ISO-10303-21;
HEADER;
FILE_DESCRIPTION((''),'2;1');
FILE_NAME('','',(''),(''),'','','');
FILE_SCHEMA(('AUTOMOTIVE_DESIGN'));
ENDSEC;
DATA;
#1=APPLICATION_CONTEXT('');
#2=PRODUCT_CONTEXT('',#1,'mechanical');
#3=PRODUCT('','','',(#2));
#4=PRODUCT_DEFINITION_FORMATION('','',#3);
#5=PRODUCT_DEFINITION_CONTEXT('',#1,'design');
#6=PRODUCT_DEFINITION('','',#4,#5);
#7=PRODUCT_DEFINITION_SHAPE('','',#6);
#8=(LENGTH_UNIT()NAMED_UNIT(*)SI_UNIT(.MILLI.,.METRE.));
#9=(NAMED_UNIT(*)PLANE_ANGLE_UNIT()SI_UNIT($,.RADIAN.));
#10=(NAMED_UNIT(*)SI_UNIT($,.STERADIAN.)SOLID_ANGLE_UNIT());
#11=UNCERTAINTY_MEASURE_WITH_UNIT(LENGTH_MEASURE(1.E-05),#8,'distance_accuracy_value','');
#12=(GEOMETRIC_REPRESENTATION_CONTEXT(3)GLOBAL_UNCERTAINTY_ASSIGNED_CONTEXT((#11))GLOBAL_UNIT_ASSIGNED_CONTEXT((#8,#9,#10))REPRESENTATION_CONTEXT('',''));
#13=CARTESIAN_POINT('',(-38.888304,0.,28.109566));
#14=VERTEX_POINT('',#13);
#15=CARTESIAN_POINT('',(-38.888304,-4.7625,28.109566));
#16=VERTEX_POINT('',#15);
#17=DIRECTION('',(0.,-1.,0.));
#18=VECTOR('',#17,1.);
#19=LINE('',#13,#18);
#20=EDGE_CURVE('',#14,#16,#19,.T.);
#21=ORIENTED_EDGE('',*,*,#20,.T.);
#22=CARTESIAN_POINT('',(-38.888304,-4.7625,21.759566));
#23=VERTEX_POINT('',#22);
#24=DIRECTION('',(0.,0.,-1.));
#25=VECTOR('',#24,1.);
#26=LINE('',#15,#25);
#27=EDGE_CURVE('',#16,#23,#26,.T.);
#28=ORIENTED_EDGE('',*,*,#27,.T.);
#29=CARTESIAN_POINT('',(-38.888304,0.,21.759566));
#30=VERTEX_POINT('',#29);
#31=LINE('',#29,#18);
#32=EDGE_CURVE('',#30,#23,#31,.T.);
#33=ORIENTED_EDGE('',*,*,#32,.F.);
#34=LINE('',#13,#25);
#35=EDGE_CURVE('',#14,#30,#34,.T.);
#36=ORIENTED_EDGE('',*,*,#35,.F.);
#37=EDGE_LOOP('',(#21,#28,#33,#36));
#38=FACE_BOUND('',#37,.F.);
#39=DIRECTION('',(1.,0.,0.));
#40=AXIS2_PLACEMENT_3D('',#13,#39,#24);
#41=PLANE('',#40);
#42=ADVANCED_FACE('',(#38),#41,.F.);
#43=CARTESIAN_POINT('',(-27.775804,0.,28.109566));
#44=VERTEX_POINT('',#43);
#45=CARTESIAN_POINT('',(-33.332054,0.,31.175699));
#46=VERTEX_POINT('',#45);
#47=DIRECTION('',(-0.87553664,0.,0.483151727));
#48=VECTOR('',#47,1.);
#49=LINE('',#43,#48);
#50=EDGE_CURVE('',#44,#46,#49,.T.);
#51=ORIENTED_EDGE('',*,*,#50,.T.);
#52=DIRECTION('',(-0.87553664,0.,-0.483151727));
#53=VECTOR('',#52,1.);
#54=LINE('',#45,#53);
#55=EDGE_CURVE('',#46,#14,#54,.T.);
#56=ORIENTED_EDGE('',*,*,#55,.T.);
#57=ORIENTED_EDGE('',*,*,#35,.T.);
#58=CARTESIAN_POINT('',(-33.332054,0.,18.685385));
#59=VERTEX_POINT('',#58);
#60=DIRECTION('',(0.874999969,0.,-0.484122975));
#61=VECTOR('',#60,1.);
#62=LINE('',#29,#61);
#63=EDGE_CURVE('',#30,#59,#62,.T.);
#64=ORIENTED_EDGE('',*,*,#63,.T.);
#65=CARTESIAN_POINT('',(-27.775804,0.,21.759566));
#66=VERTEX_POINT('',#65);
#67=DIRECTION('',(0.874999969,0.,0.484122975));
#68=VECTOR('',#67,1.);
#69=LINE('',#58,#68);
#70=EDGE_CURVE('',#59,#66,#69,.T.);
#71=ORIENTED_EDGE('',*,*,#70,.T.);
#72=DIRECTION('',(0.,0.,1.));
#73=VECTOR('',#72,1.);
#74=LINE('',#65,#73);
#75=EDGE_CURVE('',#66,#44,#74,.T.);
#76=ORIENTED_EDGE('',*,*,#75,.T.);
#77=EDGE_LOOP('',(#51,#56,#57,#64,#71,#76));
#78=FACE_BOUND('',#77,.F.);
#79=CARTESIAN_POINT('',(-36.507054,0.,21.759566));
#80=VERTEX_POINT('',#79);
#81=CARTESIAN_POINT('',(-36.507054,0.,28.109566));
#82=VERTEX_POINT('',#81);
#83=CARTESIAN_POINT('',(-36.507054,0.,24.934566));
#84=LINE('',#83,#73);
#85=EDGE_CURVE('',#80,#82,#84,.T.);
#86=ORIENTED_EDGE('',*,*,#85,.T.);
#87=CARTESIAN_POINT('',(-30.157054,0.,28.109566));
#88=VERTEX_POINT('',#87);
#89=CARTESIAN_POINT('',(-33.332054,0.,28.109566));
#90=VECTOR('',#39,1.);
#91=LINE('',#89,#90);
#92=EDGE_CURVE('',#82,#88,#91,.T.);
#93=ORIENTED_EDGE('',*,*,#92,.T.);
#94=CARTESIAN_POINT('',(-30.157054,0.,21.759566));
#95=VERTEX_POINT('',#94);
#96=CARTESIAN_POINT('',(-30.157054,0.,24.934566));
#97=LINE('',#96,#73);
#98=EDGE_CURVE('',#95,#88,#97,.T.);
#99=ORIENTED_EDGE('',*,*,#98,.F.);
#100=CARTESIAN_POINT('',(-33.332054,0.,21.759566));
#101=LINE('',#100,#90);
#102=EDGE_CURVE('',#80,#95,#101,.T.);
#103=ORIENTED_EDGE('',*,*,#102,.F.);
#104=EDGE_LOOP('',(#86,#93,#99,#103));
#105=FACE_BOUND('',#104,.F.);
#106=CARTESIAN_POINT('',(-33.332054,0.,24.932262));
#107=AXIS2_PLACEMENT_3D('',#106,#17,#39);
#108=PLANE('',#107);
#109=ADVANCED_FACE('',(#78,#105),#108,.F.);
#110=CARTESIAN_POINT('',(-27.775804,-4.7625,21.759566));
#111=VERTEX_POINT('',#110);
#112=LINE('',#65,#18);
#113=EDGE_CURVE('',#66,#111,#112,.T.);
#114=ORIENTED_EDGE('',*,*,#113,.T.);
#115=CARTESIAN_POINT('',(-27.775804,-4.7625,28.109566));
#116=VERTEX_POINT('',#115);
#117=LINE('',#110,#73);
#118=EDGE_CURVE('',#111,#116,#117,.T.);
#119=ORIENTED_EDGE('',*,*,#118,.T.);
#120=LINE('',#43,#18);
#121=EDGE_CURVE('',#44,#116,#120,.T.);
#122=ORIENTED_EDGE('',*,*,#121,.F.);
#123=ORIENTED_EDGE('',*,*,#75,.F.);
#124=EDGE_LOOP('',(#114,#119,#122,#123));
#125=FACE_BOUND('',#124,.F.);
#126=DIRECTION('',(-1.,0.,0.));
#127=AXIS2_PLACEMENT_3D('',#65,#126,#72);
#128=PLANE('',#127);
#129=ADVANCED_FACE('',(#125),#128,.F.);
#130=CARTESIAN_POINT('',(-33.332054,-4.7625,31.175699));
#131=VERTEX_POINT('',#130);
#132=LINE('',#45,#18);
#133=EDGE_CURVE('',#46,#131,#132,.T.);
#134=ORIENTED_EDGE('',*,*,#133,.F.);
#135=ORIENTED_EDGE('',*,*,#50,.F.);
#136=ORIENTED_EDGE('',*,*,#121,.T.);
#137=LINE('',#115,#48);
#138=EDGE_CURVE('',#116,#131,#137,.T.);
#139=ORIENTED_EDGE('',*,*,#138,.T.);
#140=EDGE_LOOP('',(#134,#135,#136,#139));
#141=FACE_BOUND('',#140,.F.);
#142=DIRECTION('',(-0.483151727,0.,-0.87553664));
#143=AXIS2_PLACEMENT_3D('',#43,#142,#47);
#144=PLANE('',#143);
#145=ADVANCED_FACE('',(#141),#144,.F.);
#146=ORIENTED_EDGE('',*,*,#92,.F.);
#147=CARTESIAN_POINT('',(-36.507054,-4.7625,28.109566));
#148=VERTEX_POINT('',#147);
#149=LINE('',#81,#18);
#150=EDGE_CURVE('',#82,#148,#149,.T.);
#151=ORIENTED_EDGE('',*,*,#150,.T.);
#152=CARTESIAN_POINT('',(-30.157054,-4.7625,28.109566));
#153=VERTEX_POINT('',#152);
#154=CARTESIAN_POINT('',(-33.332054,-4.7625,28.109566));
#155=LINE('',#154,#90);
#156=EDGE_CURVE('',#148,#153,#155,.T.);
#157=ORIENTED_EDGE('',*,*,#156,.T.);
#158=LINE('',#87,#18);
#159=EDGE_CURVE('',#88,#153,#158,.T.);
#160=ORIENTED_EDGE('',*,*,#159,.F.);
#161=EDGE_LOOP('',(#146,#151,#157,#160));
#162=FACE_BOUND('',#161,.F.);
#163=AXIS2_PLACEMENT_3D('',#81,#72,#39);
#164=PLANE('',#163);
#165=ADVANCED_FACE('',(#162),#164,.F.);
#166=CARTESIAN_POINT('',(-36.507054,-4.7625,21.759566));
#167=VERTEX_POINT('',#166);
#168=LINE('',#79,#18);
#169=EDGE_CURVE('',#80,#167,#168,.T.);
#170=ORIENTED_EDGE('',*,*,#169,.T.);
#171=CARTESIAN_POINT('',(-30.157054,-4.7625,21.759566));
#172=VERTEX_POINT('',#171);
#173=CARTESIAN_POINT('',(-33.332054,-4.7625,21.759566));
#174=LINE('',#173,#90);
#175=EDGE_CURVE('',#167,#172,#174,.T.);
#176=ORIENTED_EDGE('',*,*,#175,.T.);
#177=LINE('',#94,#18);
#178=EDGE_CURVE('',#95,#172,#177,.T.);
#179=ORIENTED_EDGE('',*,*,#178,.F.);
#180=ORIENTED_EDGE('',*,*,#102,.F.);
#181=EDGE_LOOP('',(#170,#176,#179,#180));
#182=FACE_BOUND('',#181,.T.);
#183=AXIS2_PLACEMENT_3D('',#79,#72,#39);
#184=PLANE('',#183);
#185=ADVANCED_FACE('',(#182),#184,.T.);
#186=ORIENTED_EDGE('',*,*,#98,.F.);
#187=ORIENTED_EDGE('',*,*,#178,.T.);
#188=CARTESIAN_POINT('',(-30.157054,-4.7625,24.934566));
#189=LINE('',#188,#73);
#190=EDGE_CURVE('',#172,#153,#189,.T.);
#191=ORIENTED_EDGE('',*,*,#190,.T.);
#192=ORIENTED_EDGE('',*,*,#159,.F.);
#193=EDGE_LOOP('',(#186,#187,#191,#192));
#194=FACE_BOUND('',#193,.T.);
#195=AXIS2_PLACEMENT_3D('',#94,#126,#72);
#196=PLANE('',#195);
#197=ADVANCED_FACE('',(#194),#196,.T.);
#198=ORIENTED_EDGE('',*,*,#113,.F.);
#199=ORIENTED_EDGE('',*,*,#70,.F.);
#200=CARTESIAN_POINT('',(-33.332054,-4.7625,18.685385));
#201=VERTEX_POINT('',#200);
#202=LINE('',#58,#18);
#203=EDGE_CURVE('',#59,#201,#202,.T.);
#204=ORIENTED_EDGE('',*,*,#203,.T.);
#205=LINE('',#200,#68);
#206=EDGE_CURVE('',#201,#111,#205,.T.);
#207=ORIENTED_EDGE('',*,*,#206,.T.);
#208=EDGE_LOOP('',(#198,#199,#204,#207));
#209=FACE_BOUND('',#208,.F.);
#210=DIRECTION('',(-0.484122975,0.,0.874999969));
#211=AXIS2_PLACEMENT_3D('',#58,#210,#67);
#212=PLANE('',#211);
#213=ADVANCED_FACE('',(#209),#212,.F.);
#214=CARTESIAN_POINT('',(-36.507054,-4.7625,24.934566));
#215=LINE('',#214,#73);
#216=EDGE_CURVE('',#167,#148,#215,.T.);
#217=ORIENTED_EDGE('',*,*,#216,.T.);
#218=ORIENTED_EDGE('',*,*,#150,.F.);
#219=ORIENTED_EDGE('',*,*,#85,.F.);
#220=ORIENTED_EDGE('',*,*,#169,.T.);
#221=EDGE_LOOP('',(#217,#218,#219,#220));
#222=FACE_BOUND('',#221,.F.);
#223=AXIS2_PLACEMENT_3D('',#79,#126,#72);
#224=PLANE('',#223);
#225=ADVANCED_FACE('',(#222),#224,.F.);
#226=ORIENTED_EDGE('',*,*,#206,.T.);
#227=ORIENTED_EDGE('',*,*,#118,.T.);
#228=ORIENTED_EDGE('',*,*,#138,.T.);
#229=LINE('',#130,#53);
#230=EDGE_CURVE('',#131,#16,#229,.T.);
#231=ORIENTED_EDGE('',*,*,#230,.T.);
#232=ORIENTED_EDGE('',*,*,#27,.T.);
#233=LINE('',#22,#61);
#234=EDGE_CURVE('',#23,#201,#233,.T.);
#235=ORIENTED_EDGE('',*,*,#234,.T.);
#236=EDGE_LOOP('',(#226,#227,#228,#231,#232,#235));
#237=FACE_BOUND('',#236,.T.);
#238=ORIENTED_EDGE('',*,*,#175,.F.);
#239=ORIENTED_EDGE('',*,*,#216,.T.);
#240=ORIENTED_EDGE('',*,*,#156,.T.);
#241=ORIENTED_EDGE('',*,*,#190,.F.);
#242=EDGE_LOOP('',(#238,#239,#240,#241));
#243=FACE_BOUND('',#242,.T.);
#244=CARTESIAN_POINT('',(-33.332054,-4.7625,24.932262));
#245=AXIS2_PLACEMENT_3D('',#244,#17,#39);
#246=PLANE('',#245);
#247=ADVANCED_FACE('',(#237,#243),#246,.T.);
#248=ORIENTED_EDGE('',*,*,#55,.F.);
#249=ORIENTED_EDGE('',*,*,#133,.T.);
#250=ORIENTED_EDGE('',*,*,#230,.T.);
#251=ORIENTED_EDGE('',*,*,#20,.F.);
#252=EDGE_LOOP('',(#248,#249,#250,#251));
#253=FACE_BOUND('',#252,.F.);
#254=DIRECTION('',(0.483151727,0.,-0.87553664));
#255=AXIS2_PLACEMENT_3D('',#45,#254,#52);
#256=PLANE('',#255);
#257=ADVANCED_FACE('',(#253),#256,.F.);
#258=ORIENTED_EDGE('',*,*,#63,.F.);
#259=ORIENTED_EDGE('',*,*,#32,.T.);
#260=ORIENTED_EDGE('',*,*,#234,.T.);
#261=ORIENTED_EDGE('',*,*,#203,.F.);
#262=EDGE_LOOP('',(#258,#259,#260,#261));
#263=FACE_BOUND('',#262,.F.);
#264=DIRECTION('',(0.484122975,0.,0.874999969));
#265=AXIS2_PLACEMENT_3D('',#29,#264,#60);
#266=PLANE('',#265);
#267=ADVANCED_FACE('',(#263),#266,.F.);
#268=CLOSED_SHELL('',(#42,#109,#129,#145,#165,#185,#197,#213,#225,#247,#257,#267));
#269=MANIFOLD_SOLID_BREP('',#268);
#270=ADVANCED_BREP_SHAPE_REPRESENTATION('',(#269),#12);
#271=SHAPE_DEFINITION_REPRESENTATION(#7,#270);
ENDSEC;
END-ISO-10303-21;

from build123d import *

# Parameters (mm, degrees)
F0_W     = 6.35
F0_H     = 6.35
F1_DEPTH = 4.7625


with BuildPart() as f1:
    # F0 (on Front) → F1 (new body)
    with BuildSketch(Plane.XZ):
        Polygon((-33.332054, 31.175699), (-38.888304, 28.109566), (-38.888304, 21.759566), (-33.332054, 18.685385), (-27.775804, 21.759566), (-27.775804, 28.109566), align=None)
        with Locations((-33.332054, 24.934566)):
            Rectangle(F0_W, F0_H, mode=Mode.SUBTRACT)
    extrude(amount=F1_DEPTH)


solid = f1.part
